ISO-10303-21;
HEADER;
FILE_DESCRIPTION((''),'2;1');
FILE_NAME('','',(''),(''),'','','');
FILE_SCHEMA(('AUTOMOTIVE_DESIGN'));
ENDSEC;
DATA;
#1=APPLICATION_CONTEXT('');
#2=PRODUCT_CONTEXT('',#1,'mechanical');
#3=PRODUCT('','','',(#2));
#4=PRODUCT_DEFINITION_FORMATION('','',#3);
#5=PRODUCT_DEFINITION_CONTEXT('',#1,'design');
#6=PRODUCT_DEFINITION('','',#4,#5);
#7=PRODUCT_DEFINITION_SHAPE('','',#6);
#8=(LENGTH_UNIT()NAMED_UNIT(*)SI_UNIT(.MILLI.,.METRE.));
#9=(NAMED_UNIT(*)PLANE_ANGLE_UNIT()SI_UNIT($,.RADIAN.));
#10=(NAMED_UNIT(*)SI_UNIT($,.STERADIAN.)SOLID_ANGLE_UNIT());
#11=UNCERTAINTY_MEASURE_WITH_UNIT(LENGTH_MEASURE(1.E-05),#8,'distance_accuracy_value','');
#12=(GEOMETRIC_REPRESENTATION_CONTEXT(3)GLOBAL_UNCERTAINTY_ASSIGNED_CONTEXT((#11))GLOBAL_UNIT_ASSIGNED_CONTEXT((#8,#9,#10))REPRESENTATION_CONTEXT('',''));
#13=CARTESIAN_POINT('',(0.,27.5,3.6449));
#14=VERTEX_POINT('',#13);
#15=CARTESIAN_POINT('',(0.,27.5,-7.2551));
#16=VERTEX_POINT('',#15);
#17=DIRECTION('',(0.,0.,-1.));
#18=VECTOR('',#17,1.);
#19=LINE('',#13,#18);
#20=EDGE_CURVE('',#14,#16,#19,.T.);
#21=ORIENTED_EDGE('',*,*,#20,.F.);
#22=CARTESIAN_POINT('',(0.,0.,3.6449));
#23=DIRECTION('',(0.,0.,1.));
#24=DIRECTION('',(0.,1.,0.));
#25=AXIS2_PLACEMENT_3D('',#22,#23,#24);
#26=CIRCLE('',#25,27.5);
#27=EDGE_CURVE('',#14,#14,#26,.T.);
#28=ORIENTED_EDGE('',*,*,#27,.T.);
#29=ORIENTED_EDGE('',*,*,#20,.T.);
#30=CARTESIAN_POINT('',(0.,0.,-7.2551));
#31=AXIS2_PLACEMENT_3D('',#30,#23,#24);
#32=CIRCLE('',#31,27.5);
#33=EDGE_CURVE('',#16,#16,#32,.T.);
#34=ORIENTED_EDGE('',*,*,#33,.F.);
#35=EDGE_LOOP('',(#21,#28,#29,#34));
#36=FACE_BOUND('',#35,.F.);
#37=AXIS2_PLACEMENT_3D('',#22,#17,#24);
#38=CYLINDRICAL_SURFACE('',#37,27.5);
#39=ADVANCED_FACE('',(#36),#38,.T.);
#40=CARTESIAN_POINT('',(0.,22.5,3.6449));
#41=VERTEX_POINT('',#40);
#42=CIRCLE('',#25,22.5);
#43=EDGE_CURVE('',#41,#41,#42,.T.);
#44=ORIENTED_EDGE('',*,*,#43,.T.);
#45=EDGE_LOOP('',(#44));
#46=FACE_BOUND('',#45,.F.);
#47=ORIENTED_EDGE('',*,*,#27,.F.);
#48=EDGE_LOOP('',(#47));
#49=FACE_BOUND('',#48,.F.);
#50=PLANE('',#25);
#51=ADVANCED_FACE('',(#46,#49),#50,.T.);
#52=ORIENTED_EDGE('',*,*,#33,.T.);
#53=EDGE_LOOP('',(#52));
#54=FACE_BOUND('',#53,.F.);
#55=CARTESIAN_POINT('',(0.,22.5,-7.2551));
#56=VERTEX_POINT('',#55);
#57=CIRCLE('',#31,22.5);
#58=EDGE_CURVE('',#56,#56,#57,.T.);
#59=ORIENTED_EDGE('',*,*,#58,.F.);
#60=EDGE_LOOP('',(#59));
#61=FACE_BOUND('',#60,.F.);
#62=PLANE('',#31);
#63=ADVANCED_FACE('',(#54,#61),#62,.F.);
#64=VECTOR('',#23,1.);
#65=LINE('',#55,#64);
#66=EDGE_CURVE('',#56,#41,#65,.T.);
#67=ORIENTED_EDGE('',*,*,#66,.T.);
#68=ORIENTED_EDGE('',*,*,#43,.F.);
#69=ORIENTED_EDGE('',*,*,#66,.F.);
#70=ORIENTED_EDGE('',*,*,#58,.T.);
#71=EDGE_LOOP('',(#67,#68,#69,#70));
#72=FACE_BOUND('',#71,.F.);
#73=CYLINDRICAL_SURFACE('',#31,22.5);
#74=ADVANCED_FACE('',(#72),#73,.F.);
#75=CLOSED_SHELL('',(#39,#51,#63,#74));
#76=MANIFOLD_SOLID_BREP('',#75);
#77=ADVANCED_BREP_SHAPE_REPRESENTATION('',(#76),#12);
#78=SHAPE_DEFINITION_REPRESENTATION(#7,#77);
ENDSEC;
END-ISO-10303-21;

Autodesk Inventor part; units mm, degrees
ref_plane "YZ Plane" through (0, 0, 0) normal (1, 0, 0) x (0, 1, 0)
ref_plane "XZ Plane" through (0, 0, 0) normal (0, 1, 0) x (-1, 0, 0)
ref_plane "XY Plane" through (0, 0, 0) normal (0, 0, 1) x (1, 0, 0)
sketch "Эскиз1" plane through (0, 0, 0) normal (1, 0, 0) x (0, 1, 0)
  line L0 (22.5, 3.6449) -> (27.5, 3.6449)
  line L1 (27.5, 3.6449) -> (27.5, -7.2551)
  line L2 (27.5, -7.2551) -> (22.5, -7.2551)
  line L3 (22.5, -7.2551) -> (22.5, 3.6449)
  line L4 (0, -9.4351) -> (0, 5.8249) projected
  point P0 (0, 0)
  dimension "d0" = 10.9
  dimension "d1" = 22.5
  dimension "d2" = 5
revolve "Вращение1" add sketch "Эскиз1" angle 360 about axis through (0, 0, -10) along (0, 0, 1)
properties part number "заплечик цепной передачи"
